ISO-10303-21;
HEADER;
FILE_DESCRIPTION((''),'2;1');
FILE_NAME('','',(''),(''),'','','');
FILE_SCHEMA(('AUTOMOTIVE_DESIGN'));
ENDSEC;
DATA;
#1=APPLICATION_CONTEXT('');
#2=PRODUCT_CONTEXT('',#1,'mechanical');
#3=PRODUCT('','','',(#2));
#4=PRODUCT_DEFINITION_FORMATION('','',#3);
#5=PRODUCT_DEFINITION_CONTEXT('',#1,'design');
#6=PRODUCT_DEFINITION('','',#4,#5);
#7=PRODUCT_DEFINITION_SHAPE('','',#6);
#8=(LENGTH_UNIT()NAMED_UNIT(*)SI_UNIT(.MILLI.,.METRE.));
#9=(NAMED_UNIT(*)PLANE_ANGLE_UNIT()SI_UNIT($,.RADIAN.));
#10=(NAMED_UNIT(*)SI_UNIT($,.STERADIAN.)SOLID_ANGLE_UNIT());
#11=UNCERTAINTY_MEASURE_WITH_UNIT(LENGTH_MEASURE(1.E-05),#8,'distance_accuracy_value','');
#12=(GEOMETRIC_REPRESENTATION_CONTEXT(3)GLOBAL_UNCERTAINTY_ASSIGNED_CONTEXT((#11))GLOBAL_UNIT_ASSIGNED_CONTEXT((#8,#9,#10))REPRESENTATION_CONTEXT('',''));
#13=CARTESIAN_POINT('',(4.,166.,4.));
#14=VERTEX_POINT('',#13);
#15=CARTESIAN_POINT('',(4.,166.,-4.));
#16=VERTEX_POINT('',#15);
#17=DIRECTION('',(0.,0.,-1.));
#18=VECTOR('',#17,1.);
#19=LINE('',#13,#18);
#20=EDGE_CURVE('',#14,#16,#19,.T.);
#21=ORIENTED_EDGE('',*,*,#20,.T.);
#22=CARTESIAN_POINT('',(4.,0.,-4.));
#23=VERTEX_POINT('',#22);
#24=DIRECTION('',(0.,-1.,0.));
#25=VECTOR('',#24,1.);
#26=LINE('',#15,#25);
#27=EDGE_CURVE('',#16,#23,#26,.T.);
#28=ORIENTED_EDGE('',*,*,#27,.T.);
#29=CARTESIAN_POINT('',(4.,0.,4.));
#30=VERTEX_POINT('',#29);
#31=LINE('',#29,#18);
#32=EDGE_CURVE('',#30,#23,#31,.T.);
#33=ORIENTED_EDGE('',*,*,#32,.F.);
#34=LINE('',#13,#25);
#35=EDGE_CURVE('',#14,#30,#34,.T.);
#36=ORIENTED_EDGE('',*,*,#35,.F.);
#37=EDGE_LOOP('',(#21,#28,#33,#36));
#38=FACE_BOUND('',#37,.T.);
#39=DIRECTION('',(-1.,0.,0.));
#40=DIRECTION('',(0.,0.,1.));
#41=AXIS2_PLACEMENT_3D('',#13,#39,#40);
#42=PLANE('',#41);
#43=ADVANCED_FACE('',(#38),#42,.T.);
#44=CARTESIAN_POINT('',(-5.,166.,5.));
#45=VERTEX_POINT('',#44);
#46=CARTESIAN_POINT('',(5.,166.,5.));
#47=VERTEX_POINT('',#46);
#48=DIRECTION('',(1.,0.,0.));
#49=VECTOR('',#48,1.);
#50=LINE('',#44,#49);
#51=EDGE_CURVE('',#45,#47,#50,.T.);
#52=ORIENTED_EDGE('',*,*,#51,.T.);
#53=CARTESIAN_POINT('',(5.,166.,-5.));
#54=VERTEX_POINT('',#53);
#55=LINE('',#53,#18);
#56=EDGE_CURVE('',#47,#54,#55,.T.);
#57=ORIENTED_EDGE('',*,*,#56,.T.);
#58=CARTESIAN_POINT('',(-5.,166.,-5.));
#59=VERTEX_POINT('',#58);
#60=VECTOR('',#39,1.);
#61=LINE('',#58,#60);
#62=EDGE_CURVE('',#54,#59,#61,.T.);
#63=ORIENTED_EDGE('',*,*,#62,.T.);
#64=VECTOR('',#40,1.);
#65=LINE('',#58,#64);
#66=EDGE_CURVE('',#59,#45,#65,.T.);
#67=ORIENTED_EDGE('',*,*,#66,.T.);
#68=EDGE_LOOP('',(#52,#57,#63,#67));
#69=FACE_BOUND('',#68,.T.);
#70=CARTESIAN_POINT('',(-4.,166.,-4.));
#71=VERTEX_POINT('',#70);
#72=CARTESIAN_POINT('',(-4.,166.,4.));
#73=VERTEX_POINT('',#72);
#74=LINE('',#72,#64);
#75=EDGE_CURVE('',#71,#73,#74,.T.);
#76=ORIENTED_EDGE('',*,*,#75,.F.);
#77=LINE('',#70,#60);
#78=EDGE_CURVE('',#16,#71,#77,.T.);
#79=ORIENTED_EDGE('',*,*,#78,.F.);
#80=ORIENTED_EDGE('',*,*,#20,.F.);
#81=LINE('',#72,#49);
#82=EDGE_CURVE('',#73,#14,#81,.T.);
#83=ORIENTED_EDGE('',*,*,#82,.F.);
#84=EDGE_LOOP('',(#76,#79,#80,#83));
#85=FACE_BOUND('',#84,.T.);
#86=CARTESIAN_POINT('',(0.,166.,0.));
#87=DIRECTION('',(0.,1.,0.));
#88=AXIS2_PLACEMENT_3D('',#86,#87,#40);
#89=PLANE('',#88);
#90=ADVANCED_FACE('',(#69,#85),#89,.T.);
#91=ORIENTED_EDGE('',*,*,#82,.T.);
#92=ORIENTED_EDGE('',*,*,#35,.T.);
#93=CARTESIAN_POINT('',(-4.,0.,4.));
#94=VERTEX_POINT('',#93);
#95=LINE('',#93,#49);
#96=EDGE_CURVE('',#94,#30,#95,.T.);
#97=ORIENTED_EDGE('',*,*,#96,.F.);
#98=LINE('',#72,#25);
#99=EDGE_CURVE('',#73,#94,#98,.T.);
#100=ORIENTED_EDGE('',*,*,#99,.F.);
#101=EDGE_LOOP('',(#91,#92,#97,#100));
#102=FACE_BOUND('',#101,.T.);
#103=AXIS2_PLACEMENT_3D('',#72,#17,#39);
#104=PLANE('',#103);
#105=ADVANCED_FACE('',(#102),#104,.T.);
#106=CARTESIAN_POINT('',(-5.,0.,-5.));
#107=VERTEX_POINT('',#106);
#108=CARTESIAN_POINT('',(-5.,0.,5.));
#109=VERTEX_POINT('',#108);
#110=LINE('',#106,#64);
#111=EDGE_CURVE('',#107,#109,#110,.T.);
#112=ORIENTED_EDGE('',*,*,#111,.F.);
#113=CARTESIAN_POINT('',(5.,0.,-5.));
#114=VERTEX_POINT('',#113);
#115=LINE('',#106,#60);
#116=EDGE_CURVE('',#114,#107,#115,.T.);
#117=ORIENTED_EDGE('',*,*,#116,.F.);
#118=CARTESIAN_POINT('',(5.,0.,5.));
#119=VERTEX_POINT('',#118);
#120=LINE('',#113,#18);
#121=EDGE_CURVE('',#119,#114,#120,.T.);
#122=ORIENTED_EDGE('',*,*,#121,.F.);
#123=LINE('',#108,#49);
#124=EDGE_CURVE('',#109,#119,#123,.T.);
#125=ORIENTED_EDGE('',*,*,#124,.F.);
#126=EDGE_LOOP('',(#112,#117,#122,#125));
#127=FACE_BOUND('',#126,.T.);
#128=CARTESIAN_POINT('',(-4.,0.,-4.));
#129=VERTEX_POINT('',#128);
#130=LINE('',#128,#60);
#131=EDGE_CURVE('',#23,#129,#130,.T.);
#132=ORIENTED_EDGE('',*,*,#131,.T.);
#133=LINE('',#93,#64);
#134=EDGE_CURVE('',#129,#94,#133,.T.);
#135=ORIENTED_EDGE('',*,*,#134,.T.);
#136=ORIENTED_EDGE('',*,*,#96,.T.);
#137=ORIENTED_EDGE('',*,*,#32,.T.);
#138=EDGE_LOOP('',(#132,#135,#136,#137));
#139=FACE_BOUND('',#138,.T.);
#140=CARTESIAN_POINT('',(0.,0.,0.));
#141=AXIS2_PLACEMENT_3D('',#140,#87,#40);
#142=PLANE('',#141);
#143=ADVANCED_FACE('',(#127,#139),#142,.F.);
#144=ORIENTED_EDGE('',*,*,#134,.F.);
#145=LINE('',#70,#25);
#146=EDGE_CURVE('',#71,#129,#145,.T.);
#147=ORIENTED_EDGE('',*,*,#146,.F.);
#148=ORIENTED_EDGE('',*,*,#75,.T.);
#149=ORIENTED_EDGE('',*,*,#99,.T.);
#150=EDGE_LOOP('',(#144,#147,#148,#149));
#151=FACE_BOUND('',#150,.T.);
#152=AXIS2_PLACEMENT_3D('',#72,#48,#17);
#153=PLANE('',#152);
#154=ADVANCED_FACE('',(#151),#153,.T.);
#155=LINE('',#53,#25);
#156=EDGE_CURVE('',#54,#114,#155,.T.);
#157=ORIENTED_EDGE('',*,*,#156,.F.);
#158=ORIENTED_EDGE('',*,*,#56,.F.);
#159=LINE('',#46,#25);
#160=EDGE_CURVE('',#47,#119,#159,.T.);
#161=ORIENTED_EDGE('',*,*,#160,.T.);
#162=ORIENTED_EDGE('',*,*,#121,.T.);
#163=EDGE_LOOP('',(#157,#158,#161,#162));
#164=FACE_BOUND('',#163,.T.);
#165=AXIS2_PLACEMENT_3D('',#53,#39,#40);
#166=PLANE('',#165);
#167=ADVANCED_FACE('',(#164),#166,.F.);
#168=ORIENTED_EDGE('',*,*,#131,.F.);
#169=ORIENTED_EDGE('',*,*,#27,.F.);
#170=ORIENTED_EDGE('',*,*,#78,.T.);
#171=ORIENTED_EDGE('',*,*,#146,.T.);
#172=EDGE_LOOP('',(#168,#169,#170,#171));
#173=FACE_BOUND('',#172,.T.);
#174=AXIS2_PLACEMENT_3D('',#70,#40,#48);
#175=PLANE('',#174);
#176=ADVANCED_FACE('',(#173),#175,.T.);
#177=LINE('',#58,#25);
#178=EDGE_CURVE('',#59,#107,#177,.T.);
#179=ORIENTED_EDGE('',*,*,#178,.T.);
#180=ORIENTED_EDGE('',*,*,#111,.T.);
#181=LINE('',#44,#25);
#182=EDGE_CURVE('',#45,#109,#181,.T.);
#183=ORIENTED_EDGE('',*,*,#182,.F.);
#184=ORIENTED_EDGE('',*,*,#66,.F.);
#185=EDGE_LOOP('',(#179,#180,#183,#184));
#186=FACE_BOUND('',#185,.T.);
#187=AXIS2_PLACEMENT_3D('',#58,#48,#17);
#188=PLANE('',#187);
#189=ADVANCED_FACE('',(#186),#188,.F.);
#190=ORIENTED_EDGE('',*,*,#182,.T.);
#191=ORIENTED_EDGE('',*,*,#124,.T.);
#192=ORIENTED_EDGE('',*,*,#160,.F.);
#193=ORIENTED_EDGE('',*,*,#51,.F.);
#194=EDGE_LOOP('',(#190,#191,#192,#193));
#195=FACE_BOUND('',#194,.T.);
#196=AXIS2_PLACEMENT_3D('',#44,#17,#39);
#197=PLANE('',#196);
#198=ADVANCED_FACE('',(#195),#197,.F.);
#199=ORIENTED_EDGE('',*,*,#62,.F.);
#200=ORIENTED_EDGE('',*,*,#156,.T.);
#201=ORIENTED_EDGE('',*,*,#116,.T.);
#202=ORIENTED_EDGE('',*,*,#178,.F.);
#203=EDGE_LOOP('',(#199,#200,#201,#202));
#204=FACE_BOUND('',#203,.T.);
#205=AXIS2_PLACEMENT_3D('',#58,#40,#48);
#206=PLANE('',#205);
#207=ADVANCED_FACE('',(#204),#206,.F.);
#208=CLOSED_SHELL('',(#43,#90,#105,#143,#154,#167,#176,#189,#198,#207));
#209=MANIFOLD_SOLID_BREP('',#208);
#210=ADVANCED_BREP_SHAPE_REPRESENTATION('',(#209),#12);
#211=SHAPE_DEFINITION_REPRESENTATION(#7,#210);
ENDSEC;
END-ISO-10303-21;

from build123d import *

# Parameters (mm, degrees)
SKETCH_1_W      = 10
SKETCH_1_H      = 10
SKETCH_1_W_2    = 8
SKETCH_1_H_2    = 8
EXTRUDE_1_DEPTH = 166


with BuildPart() as part:
    # 草图1 → 凸台-拉伸1 (new body)
    with BuildSketch(Plane(origin=(0, 0, 0), x_dir=(1, 0, 0), z_dir=(0, 1, 0))):
        Rectangle(SKETCH_1_W, SKETCH_1_H)
        Rectangle(SKETCH_1_W_2, SKETCH_1_H_2, mode=Mode.SUBTRACT)
    extrude(amount=EXTRUDE_1_DEPTH)


solid = part.part
